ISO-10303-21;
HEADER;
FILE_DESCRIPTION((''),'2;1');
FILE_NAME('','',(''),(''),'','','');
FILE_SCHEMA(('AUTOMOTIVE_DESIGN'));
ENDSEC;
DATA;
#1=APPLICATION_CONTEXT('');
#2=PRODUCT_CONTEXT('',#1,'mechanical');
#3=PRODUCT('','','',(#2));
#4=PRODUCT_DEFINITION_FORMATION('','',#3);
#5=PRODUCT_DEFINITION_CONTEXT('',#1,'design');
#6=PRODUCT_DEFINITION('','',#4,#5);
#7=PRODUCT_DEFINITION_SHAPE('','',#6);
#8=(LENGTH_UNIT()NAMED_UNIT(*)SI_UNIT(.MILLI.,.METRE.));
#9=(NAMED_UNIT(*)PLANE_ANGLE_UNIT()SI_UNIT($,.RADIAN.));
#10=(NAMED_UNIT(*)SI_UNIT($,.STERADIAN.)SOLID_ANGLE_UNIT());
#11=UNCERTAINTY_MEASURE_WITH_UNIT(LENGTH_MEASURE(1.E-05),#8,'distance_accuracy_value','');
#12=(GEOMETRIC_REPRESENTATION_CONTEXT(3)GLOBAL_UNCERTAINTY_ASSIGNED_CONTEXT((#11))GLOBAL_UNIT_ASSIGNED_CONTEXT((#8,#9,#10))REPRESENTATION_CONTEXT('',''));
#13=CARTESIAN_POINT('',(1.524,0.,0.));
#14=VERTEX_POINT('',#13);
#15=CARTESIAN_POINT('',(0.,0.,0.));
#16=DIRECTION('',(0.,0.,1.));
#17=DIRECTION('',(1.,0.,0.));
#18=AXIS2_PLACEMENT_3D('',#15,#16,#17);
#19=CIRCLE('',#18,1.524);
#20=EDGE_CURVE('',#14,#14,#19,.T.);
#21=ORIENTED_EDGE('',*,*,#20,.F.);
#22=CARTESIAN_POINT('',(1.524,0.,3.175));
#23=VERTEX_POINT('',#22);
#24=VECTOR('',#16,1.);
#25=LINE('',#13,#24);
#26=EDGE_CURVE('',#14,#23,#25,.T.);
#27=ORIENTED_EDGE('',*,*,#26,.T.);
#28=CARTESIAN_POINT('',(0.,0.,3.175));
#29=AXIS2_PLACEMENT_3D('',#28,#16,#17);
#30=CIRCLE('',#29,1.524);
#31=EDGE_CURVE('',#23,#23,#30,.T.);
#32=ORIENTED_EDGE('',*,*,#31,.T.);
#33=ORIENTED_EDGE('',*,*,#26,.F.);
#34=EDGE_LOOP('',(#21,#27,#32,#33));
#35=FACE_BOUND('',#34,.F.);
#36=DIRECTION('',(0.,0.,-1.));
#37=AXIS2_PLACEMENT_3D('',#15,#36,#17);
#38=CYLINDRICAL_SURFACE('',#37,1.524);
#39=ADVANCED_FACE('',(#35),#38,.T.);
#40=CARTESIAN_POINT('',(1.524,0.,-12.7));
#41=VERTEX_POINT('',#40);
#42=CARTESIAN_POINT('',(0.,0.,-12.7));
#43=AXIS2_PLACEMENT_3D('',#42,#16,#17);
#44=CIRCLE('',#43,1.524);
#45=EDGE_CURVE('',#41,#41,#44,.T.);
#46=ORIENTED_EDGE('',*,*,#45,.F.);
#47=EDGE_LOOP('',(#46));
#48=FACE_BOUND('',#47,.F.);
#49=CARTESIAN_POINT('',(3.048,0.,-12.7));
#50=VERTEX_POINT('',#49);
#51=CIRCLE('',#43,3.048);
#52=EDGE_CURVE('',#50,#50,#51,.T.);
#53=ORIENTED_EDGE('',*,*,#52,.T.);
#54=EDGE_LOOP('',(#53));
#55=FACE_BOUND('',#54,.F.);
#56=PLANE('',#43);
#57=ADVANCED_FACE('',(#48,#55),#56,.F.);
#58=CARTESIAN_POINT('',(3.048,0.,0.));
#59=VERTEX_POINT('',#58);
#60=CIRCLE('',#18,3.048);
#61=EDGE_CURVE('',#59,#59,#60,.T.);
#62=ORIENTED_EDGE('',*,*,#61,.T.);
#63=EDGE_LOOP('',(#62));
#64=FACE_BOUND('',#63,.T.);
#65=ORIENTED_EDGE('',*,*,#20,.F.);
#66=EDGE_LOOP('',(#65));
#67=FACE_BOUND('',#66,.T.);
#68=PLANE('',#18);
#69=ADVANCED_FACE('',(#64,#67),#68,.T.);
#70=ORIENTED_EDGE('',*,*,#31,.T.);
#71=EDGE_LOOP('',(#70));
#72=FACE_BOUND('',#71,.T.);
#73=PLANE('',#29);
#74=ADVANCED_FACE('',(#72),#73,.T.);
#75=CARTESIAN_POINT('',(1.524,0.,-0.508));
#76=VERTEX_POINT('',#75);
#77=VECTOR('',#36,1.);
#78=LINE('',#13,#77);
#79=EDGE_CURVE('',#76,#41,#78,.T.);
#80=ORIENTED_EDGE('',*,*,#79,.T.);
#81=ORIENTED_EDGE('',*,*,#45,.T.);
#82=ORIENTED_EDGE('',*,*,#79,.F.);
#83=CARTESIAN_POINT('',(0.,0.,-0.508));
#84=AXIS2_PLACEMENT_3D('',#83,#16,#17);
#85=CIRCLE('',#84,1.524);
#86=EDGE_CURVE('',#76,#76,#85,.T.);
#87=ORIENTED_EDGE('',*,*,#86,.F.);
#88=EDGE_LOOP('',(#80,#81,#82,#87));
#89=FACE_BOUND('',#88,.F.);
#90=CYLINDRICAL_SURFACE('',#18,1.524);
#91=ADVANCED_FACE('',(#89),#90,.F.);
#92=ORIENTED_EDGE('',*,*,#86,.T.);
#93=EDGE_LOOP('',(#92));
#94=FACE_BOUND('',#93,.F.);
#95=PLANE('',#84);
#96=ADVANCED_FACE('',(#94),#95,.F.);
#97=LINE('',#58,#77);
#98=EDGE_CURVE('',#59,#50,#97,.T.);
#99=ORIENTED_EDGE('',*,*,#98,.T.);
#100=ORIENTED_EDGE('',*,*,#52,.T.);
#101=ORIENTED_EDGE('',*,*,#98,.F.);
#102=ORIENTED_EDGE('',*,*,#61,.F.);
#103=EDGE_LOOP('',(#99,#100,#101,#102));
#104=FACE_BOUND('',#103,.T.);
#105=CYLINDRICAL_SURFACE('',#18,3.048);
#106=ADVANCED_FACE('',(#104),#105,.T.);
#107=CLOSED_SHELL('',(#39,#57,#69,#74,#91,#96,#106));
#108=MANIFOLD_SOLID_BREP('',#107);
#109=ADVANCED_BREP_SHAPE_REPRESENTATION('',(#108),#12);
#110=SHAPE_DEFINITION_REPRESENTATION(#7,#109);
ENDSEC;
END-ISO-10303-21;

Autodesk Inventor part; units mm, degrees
ref_plane "YZ Plane" through (0, 0, 0) normal (1, 0, 0) x (0, 1, 0)
ref_plane "XZ Plane" through (0, 0, 0) normal (0, 1, 0) x (-1, 0, 0)
ref_plane "XY Plane" through (0, 0, 0) normal (0, 0, 1) x (1, 0, 0)
sketch "Sketch1" plane through (0, 0, 0) normal (0, 0, 1) x (1, 0, 0)
  circle A0 centre (0, 0) radius 1.524
  circle A1 centre (0, 0) radius 3.048
  dimension "d0" = 3.048
  dimension "d1" = 6.096
extrude "Extrusion1" add sketch "Sketch1" against normal blind 12.7
sketch "Sketch2" plane through (0, 0, 0) normal (0, 0, 1) x (1, 0, 0)
  circle A0 centre (0, 0) radius 1.524
extrude "Extrusion2" add sketch "Sketch2" against normal blind 0.508
sketch "Sketch3" plane through (0, 0, 0) normal (0, 0, 1) x (1, 0, 0)
  circle A0 centre (0, 0) radius 1.524
  dimension "d6" = 3.048
extrude "Extrusion3" add sketch "Sketch3" along normal blind 3.175
properties part number "powerSuppStandoff"
